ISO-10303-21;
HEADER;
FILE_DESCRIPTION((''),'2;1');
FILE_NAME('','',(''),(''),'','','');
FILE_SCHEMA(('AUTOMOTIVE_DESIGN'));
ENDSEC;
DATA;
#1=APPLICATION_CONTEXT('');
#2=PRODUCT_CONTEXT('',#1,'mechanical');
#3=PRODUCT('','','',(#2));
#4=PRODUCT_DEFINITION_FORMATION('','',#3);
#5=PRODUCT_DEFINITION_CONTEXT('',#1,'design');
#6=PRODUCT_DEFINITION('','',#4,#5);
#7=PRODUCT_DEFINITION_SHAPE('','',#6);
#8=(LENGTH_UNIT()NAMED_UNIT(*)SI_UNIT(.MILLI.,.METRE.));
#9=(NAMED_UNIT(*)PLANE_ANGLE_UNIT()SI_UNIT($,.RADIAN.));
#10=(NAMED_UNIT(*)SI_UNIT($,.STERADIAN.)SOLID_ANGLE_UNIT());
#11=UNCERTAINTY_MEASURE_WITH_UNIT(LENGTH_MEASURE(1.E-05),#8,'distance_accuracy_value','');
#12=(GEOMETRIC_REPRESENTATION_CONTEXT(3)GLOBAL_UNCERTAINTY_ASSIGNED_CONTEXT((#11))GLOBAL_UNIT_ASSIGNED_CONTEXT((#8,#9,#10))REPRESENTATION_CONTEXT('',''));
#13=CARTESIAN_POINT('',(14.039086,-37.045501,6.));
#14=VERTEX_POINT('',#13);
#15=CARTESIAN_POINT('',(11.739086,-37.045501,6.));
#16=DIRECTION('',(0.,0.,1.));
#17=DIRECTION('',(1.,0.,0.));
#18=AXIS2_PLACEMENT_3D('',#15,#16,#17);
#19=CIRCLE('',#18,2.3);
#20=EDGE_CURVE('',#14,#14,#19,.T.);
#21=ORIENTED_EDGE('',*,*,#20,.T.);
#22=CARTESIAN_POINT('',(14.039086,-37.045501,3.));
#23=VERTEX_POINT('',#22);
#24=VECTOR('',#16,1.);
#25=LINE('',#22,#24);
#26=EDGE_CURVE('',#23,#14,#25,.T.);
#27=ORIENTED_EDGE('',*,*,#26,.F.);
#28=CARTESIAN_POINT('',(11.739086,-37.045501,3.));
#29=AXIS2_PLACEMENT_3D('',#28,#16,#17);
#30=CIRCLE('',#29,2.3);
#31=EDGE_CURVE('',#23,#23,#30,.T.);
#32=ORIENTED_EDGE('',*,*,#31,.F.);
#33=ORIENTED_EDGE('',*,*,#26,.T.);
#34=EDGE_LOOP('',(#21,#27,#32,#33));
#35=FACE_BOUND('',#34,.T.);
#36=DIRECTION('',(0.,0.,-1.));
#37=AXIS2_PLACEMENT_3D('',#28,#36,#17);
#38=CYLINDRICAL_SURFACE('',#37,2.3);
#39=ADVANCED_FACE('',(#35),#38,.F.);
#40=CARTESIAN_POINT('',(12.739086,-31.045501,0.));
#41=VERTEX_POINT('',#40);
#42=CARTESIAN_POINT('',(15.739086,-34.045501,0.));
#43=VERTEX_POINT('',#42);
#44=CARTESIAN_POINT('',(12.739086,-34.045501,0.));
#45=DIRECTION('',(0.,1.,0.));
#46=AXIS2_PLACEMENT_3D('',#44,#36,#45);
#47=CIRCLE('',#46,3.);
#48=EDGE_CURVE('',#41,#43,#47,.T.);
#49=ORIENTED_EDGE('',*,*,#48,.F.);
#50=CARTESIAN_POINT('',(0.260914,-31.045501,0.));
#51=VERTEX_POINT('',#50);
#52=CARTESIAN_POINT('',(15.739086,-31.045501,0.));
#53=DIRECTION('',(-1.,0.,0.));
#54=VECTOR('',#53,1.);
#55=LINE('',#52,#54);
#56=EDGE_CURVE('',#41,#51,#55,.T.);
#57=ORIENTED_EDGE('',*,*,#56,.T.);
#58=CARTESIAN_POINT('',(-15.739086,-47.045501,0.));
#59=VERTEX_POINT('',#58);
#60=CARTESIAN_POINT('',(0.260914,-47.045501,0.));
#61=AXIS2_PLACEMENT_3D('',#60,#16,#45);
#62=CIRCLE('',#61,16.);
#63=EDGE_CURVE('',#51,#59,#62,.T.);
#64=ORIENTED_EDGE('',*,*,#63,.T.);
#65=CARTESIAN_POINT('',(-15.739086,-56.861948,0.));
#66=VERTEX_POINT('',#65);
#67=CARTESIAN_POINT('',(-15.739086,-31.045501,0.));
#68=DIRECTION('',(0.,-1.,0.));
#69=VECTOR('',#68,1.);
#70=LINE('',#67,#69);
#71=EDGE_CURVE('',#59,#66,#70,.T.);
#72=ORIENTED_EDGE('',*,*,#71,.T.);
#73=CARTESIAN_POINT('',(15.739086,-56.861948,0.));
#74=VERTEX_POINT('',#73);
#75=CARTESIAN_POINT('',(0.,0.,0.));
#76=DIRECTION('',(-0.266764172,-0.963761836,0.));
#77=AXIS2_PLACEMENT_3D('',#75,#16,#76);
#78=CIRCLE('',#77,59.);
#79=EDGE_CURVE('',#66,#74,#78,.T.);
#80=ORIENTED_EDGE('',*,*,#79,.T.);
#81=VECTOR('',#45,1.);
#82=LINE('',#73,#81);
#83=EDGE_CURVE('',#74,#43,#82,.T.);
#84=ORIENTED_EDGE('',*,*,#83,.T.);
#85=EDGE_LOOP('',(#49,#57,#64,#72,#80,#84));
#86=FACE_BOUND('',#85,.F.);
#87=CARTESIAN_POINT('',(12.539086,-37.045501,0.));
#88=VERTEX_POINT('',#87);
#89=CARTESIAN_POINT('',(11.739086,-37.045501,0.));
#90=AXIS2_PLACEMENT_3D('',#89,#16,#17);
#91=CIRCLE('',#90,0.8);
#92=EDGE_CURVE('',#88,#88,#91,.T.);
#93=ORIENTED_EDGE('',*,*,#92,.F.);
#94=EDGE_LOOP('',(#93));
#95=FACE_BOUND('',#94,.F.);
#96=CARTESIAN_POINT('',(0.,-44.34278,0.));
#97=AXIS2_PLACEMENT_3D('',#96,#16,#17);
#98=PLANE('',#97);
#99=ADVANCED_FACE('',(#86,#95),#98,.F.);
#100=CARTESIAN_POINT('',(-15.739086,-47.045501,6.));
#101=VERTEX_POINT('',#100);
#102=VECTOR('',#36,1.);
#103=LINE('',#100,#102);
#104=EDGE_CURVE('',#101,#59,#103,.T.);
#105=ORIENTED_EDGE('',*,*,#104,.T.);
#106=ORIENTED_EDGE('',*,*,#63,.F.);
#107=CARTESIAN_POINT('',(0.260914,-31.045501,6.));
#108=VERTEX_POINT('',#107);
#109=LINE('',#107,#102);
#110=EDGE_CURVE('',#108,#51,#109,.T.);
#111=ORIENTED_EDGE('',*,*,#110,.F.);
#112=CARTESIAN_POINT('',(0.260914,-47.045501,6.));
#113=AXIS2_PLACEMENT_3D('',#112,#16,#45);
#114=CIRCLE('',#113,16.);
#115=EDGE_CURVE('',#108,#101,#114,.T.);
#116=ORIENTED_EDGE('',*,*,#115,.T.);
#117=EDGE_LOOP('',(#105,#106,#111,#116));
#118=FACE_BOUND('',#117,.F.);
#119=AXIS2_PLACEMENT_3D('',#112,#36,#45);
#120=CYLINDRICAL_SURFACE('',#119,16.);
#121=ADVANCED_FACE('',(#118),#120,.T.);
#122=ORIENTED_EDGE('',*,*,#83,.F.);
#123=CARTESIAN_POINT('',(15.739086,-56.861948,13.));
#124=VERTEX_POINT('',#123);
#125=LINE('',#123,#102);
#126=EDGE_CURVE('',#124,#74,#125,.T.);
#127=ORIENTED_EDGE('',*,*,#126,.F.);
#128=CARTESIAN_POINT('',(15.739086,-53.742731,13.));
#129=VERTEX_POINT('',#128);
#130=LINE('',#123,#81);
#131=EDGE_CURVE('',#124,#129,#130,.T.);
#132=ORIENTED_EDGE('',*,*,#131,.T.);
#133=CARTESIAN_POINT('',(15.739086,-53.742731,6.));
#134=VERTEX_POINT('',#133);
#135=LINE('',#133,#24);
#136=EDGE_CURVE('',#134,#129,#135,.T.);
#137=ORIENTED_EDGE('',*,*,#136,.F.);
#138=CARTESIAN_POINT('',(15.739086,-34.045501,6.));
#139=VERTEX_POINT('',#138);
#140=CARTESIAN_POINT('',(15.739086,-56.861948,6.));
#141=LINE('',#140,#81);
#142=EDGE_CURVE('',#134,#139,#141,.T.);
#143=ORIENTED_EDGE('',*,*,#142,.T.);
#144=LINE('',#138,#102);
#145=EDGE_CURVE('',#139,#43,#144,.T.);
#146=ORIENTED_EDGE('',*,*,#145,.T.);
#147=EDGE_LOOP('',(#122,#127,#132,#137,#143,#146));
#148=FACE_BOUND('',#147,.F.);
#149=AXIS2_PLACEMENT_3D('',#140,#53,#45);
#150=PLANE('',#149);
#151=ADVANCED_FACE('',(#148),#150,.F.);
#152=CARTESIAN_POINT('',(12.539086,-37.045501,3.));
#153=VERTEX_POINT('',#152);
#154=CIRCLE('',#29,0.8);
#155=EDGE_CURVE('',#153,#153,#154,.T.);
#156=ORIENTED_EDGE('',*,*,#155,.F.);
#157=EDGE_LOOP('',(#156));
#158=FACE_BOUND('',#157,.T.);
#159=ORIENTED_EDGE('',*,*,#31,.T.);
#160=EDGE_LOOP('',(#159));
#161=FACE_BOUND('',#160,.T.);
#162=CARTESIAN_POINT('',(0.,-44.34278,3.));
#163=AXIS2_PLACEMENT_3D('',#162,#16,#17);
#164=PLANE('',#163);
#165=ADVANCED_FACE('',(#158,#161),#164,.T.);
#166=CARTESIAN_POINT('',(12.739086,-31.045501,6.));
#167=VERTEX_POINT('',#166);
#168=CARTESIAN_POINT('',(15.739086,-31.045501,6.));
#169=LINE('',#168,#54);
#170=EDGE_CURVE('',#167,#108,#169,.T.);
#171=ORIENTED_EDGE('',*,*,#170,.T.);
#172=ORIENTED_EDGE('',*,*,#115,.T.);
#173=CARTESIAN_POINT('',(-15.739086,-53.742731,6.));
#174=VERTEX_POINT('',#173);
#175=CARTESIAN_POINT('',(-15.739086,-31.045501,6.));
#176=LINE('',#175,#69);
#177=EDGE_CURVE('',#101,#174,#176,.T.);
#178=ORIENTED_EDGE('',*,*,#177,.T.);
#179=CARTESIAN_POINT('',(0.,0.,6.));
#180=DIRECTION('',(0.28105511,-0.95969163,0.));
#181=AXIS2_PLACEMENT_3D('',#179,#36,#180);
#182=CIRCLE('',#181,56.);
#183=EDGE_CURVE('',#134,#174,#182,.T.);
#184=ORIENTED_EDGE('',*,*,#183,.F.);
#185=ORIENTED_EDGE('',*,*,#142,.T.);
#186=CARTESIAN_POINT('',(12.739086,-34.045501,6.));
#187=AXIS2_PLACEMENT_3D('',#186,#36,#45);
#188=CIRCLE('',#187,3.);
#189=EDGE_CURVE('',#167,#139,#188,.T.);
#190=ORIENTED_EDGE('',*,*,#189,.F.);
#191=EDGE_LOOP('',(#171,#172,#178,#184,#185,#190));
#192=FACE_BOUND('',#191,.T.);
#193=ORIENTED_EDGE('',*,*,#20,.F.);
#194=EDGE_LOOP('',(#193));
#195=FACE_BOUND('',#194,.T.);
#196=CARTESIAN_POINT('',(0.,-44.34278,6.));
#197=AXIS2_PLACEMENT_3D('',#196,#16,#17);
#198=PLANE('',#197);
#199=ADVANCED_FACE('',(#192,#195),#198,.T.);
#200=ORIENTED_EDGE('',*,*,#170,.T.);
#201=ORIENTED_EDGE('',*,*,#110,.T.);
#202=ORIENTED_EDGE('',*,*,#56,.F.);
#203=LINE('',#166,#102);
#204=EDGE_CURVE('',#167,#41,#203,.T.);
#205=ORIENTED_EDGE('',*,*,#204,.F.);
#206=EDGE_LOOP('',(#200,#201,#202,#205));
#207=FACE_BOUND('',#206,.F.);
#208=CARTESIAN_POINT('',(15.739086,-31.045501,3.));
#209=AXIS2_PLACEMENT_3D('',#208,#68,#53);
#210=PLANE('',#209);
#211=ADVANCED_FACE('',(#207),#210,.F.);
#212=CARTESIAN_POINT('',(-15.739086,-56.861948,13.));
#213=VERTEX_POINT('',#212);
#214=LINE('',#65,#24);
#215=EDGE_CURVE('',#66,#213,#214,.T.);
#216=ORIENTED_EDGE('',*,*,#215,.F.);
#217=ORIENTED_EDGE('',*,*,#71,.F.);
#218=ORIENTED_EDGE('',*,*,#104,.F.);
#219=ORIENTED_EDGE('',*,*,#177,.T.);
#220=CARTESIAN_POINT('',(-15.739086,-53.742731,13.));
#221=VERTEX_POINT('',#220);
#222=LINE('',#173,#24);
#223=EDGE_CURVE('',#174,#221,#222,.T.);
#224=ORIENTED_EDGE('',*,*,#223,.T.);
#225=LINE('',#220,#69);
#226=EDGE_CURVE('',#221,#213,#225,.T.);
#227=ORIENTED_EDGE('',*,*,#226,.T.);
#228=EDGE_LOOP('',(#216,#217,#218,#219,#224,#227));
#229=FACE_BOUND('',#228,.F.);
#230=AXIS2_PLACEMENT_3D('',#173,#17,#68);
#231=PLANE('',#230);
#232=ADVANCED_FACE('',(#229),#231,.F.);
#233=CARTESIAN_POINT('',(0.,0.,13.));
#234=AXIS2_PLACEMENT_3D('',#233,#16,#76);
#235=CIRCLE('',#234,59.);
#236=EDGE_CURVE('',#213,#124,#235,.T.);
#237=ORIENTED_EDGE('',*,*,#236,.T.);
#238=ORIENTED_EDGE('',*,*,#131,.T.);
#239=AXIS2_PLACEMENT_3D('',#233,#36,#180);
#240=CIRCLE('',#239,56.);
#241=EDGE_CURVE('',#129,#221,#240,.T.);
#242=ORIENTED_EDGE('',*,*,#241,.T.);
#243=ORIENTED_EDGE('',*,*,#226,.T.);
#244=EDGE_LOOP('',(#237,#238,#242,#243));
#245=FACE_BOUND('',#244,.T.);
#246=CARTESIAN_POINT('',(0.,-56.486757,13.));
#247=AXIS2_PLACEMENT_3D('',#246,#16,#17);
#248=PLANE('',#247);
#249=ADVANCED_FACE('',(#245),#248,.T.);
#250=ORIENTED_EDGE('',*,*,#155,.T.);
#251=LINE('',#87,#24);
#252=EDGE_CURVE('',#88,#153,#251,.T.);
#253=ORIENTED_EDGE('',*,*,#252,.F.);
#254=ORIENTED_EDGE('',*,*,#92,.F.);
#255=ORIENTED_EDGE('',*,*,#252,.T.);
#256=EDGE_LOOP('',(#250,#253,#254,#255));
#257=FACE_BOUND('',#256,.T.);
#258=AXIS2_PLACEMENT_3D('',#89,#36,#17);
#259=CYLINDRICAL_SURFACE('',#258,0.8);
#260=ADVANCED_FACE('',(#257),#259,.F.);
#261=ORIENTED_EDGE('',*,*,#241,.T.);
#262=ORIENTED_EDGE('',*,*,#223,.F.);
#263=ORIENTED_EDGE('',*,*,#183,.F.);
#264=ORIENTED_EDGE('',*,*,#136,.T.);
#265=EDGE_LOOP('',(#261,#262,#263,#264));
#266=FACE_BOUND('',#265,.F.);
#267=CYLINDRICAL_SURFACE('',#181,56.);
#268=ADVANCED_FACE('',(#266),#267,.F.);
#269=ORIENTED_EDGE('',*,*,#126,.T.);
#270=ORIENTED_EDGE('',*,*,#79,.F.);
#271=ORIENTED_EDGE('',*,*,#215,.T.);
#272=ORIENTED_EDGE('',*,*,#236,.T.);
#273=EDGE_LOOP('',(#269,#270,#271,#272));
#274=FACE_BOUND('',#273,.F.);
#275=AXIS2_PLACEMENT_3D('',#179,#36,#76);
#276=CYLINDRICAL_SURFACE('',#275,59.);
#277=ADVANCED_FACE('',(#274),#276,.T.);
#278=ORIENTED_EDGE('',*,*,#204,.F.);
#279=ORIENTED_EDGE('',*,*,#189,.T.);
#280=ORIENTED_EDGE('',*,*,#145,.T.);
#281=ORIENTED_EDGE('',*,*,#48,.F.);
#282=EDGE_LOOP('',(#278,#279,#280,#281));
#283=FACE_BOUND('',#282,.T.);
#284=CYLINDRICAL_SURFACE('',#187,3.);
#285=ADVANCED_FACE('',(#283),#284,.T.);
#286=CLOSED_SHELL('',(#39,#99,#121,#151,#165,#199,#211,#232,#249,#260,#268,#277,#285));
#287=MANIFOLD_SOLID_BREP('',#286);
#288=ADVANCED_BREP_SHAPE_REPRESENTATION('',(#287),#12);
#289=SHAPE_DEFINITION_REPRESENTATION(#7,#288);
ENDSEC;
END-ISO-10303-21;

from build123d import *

# Parameters (mm, degrees)
F0_R     = 0.8
F1_DEPTH = 3
F2_R     = 2.3
F3_DEPTH = 3
F5_DEPTH = 7
F6_R     = 16
F7_R     = 3


with BuildPart() as f1:
    # F0 (on Top) → F1 (new body)
    with BuildSketch(Plane.XY):
        with BuildLine():
            Line((15.7390861437, -56.8619483254), (15.7390861437, -31.0455008498))
            Line((15.7390861437, -31.0455008498), (-15.7390861437, -31.0455008498))
            Line((-15.7390861437, -31.0455008498), (-15.7390861437, -56.8619483254))
            ThreePointArc((-15.7390861437, -56.8619483254), (0, -59), (15.7390861437, -56.8619483254))
        make_face()
        with Locations((11.7390861437, -37.0455008498)):
            Circle(F0_R, mode=Mode.SUBTRACT)
    extrude(amount=F1_DEPTH)

    # F2 (on face) → F3 (join)
    with BuildSketch(Plane.XY.offset(3)):
        with BuildLine():
            Line((-15.7390861437, -31.0455008498), (-15.7390861437, -56.8619483254))
            ThreePointArc((-15.7390861437, -56.8619483254), (0, -59), (15.7390861437, -56.8619483254))
            Line((15.7390861437, -56.8619483254), (15.7390861437, -31.0455008498))
            Line((15.7390861437, -31.0455008498), (-15.7390861437, -31.0455008498))
        make_face()
        with Locations((11.7390861437, -37.0455008498)):
            Circle(F2_R, mode=Mode.SUBTRACT)
    extrude(amount=F3_DEPTH)

    # F4 (on face) → F5 (join)
    with BuildSketch(Plane.XY.offset(6)):
        with BuildLine():
            ThreePointArc((15.7390861437, -53.7427312979), (0, -56), (-15.7390861437, -53.7427312979))
            Line((-15.7390861437, -53.7427312979), (-15.7390861437, -56.8619483254))
            ThreePointArc((-15.7390861437, -56.8619483254), (0, -59), (15.7390861437, -56.8619483254))
            Line((15.7390861437, -56.8619483254), (15.7390861437, -53.7427312979))
        make_face()
    extrude(amount=F5_DEPTH)

    # F6
    f6_edges = [f1.edges().sort_by_distance(p)[0] for p in [
        (-15.739086, -31.045501, 3),
    ]]
    fillet(f6_edges, radius=F6_R)

    # F7
    f7_edges = [f1.edges().sort_by_distance(p)[0] for p in [
        (15.739086, -31.045501, 3),
    ]]
    fillet(f7_edges, radius=F7_R)


solid = f1.part
